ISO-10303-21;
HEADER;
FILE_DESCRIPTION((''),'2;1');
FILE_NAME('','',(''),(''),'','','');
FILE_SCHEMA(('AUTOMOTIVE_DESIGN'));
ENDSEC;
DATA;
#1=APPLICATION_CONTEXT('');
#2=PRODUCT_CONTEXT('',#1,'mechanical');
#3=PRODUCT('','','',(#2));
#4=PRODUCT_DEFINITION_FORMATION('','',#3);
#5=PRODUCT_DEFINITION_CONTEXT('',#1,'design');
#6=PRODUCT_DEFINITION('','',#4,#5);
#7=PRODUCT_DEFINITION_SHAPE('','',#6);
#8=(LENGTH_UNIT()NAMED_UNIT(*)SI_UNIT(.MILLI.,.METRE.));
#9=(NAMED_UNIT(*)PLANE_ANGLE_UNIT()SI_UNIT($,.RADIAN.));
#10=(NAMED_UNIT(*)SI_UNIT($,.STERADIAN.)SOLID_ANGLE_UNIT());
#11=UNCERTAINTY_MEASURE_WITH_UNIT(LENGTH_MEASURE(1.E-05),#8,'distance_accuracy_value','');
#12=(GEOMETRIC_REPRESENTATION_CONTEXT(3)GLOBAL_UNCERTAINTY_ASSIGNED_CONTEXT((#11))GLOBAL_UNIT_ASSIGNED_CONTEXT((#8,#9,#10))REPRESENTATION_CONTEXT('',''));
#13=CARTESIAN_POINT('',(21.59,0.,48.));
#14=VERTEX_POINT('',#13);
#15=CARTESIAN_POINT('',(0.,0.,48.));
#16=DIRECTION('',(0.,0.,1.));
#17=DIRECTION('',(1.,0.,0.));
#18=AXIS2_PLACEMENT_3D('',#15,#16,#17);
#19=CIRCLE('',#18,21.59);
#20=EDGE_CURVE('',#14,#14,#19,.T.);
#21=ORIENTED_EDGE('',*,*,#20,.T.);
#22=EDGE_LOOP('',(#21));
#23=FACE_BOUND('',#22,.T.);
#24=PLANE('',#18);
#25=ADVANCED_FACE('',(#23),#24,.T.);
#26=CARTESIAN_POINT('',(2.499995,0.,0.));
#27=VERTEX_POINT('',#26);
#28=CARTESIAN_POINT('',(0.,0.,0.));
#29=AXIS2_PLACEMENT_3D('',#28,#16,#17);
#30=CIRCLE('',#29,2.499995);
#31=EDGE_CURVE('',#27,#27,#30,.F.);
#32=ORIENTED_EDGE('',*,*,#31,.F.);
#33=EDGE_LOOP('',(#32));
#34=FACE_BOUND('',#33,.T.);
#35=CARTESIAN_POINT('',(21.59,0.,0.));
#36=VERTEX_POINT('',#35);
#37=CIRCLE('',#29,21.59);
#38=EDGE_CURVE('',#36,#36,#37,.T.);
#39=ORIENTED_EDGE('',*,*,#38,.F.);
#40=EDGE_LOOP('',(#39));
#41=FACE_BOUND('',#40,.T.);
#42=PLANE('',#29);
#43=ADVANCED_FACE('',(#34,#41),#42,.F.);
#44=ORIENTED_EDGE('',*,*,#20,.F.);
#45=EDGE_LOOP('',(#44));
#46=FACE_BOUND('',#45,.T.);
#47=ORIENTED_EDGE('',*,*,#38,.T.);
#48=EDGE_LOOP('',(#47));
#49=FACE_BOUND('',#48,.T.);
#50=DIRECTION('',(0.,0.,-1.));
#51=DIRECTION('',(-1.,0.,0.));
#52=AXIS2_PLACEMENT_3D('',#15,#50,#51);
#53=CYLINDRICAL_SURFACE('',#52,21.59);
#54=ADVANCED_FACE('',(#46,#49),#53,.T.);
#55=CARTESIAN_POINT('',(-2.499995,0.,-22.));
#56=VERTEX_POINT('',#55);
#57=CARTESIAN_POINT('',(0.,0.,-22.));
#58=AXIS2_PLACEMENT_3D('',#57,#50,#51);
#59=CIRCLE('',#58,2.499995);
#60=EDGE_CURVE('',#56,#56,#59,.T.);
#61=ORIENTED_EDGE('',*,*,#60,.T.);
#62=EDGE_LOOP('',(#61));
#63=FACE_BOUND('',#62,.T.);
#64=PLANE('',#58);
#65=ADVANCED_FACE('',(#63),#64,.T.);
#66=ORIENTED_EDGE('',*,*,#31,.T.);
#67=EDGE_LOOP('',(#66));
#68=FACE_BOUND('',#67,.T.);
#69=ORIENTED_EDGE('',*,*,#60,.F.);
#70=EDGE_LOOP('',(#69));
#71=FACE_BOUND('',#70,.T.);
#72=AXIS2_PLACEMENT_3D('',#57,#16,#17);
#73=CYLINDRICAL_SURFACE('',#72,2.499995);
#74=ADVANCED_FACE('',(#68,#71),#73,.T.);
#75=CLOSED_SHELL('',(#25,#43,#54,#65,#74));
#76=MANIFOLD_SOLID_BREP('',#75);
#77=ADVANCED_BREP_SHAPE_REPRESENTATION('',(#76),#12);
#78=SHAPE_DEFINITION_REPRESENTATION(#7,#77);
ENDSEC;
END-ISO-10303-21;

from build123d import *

# Parameters (mm, degrees)
SKETCH1_R           = 21.59
BOSS_EXTRUDE1_DEPTH = 48.000000012
SKETCH2_R           = 2.499995
BOSS_EXTRUDE2_DEPTH = 21.999999942


with BuildPart() as part:
    # Sketch1 → Boss-Extrude1 (new body)
    with BuildSketch(Plane.XY):
        Circle(SKETCH1_R)
    extrude(amount=BOSS_EXTRUDE1_DEPTH)

    # Sketch2 → Boss-Extrude2 (add)
    with BuildSketch(Plane(origin=(0, 0, 0), x_dir=(-1, 0, 0), z_dir=(0, 0, -1))):
        with Locations(Location((0, 0, 0), (0, 0, 180))):
            Circle(SKETCH2_R)
    extrude(amount=BOSS_EXTRUDE2_DEPTH)


solid = part.part
